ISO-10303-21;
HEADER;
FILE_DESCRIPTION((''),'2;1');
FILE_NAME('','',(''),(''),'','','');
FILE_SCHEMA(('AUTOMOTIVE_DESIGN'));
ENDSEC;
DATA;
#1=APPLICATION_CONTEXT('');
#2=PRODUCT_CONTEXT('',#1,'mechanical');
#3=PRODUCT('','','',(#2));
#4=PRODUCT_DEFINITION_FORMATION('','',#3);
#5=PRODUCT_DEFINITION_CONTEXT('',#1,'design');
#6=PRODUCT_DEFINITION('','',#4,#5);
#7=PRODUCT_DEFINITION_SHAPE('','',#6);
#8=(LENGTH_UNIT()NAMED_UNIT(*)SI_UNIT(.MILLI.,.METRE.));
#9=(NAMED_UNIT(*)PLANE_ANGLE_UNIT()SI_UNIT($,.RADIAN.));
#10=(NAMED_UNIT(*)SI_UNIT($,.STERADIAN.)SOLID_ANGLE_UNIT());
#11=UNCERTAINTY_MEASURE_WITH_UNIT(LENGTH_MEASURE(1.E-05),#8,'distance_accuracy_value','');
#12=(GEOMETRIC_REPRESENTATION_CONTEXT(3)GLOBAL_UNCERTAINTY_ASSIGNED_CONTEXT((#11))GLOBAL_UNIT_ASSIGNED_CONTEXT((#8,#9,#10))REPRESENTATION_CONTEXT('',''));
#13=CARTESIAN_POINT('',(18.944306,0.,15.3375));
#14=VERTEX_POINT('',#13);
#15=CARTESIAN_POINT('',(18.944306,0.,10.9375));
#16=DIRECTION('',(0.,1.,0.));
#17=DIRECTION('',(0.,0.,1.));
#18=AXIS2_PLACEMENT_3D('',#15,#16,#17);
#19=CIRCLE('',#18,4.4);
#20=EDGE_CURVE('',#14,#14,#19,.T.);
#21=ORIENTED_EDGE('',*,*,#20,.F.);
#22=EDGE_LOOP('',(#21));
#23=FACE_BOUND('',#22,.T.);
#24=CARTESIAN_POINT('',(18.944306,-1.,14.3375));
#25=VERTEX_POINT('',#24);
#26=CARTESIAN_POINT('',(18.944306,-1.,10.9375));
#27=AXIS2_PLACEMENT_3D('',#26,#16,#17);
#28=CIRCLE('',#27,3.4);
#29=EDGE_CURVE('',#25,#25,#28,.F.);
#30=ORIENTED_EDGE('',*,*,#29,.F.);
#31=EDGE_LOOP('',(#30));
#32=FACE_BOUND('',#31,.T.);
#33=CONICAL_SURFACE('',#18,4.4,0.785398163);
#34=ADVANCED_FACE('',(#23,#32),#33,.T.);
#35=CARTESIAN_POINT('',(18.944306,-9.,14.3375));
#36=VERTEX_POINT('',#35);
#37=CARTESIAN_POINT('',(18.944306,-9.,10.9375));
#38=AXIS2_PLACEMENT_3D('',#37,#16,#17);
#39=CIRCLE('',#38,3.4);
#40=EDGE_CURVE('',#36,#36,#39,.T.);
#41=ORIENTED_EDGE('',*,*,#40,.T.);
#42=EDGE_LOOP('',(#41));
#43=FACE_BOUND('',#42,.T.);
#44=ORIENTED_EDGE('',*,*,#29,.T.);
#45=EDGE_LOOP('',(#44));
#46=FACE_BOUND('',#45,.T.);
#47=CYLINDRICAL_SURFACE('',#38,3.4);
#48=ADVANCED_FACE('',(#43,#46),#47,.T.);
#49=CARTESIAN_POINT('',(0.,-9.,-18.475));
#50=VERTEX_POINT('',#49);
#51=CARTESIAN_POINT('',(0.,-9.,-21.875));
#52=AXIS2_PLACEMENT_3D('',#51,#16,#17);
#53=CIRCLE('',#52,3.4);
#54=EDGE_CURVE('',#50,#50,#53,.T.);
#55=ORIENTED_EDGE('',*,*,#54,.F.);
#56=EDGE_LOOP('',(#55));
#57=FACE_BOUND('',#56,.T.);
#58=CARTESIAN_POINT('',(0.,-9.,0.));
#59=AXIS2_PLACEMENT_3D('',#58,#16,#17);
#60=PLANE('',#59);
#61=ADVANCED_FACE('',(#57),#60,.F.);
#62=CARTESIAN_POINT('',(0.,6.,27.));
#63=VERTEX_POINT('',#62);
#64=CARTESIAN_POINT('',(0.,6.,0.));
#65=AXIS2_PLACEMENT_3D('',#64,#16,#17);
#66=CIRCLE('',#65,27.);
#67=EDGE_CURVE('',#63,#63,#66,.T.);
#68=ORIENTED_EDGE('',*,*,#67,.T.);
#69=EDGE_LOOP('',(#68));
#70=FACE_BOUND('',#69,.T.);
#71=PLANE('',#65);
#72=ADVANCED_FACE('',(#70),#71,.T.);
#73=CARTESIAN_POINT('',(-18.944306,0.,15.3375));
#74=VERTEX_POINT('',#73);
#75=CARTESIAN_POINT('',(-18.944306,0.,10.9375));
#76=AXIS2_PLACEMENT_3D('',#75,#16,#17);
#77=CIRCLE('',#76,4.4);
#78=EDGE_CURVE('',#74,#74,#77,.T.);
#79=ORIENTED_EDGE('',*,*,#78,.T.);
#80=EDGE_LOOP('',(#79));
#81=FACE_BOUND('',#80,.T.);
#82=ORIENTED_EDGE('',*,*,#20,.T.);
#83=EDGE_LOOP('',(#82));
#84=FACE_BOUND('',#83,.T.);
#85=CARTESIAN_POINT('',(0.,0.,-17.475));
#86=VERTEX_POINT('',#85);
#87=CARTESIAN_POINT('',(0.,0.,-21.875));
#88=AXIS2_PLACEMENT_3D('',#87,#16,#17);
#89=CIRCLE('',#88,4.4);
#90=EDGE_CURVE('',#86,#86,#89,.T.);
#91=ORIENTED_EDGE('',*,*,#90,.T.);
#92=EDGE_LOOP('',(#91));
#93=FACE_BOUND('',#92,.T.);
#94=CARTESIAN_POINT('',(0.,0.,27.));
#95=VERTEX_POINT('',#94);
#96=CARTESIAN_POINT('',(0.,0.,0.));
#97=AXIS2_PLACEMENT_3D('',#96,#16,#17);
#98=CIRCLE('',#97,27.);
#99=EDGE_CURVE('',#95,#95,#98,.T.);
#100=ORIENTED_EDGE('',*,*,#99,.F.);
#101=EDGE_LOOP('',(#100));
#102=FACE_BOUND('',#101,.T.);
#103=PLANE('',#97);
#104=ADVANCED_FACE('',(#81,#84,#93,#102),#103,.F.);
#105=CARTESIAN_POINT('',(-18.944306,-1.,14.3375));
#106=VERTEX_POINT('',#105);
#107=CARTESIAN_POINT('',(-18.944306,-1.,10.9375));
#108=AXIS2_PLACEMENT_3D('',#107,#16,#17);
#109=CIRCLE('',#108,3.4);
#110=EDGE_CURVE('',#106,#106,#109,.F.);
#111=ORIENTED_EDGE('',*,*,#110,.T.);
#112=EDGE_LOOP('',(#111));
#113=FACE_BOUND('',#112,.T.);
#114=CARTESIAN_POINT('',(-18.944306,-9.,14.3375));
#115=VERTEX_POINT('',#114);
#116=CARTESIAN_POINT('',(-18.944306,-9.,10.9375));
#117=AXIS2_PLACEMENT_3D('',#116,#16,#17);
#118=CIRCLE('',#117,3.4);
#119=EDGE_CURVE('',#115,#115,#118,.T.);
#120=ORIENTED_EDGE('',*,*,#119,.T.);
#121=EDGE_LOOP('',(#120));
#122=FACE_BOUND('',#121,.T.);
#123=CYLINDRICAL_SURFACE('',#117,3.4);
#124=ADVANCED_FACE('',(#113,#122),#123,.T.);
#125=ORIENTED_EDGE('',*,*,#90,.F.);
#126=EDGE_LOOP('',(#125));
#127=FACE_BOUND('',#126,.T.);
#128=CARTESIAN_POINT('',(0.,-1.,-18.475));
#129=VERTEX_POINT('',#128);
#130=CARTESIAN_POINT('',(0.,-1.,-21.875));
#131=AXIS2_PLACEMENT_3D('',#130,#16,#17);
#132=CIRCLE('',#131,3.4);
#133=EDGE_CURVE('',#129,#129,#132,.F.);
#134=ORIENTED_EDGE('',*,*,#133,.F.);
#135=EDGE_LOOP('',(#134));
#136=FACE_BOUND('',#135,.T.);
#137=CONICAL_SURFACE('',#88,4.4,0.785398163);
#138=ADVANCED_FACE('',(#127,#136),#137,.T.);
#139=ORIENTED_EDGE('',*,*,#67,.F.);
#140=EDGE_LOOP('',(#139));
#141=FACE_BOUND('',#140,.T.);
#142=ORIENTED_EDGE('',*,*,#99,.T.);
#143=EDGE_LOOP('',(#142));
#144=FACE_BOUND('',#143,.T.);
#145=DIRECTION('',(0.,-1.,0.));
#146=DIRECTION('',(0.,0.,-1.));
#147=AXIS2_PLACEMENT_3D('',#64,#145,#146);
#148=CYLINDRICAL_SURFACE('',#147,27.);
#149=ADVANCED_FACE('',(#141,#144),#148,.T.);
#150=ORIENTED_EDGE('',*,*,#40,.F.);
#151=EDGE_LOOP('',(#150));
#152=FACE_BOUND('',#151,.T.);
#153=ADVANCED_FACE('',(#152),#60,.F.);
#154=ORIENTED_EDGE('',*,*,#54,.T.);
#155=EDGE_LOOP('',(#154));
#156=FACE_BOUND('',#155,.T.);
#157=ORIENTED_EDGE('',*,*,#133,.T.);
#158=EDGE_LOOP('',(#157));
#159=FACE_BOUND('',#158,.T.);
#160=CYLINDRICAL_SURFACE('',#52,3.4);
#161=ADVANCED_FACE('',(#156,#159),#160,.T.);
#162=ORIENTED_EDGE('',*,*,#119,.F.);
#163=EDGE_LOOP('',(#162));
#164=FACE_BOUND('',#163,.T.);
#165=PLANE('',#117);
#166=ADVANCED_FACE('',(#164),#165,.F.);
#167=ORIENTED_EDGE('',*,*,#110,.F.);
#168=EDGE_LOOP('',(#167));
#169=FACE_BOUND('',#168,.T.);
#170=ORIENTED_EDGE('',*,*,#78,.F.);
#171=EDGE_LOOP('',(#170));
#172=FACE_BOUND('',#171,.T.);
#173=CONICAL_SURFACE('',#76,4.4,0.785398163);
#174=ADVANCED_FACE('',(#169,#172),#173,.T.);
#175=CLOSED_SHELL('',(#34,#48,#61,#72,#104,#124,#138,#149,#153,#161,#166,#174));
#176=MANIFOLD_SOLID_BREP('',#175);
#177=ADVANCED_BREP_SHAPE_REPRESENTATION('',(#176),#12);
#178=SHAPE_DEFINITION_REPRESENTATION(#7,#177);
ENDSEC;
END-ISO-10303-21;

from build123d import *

# Parameters (mm, degrees)
SKETCH2_R           = 27
BOSS_EXTRUDE1_DEPTH = 6
SKETCH1_R           = 3.4
BOSS_EXTRUDE2_DEPTH = 9
CHAMFER1_SIZE       = 1


with BuildPart() as part:
    # Sketch2 → Boss-Extrude1 (new body)
    with BuildSketch(Plane(origin=(0, 0, 0), x_dir=(1, 0, 0), z_dir=(0, 1, 0))):
        with Locations(Location((0, 0, 0), (0, 0, 270))):
            Circle(SKETCH2_R)
    extrude(amount=BOSS_EXTRUDE1_DEPTH)

    # Sketch1 → Boss-Extrude2 (add)
    with BuildSketch(Plane(origin=(0, 0, 0), x_dir=(1, 0, 0), z_dir=(0, 1, 0))):
        with Locations(Location((0, 21.875, 0), (0, 0, 270))):
            Circle(SKETCH1_R)
        with Locations(Location((18.944305708, -10.9375, 0), (0, 0, 270))):
            Circle(SKETCH1_R)
        with Locations(Location((-18.944305708, -10.9375, 0), (0, 0, 270))):
            Circle(SKETCH1_R)
    extrude(amount=-BOSS_EXTRUDE2_DEPTH)

    # Chamfer1
    chamfer1_edges = [part.edges().sort_by_distance(p)[0] for p in [
        (-18.944305708, 0, 7.5375),
        (18.944305708, 0, 7.5375),
        (0, 0, -25.275),
    ]]
    chamfer(chamfer1_edges, length=CHAMFER1_SIZE)


solid = part.part
